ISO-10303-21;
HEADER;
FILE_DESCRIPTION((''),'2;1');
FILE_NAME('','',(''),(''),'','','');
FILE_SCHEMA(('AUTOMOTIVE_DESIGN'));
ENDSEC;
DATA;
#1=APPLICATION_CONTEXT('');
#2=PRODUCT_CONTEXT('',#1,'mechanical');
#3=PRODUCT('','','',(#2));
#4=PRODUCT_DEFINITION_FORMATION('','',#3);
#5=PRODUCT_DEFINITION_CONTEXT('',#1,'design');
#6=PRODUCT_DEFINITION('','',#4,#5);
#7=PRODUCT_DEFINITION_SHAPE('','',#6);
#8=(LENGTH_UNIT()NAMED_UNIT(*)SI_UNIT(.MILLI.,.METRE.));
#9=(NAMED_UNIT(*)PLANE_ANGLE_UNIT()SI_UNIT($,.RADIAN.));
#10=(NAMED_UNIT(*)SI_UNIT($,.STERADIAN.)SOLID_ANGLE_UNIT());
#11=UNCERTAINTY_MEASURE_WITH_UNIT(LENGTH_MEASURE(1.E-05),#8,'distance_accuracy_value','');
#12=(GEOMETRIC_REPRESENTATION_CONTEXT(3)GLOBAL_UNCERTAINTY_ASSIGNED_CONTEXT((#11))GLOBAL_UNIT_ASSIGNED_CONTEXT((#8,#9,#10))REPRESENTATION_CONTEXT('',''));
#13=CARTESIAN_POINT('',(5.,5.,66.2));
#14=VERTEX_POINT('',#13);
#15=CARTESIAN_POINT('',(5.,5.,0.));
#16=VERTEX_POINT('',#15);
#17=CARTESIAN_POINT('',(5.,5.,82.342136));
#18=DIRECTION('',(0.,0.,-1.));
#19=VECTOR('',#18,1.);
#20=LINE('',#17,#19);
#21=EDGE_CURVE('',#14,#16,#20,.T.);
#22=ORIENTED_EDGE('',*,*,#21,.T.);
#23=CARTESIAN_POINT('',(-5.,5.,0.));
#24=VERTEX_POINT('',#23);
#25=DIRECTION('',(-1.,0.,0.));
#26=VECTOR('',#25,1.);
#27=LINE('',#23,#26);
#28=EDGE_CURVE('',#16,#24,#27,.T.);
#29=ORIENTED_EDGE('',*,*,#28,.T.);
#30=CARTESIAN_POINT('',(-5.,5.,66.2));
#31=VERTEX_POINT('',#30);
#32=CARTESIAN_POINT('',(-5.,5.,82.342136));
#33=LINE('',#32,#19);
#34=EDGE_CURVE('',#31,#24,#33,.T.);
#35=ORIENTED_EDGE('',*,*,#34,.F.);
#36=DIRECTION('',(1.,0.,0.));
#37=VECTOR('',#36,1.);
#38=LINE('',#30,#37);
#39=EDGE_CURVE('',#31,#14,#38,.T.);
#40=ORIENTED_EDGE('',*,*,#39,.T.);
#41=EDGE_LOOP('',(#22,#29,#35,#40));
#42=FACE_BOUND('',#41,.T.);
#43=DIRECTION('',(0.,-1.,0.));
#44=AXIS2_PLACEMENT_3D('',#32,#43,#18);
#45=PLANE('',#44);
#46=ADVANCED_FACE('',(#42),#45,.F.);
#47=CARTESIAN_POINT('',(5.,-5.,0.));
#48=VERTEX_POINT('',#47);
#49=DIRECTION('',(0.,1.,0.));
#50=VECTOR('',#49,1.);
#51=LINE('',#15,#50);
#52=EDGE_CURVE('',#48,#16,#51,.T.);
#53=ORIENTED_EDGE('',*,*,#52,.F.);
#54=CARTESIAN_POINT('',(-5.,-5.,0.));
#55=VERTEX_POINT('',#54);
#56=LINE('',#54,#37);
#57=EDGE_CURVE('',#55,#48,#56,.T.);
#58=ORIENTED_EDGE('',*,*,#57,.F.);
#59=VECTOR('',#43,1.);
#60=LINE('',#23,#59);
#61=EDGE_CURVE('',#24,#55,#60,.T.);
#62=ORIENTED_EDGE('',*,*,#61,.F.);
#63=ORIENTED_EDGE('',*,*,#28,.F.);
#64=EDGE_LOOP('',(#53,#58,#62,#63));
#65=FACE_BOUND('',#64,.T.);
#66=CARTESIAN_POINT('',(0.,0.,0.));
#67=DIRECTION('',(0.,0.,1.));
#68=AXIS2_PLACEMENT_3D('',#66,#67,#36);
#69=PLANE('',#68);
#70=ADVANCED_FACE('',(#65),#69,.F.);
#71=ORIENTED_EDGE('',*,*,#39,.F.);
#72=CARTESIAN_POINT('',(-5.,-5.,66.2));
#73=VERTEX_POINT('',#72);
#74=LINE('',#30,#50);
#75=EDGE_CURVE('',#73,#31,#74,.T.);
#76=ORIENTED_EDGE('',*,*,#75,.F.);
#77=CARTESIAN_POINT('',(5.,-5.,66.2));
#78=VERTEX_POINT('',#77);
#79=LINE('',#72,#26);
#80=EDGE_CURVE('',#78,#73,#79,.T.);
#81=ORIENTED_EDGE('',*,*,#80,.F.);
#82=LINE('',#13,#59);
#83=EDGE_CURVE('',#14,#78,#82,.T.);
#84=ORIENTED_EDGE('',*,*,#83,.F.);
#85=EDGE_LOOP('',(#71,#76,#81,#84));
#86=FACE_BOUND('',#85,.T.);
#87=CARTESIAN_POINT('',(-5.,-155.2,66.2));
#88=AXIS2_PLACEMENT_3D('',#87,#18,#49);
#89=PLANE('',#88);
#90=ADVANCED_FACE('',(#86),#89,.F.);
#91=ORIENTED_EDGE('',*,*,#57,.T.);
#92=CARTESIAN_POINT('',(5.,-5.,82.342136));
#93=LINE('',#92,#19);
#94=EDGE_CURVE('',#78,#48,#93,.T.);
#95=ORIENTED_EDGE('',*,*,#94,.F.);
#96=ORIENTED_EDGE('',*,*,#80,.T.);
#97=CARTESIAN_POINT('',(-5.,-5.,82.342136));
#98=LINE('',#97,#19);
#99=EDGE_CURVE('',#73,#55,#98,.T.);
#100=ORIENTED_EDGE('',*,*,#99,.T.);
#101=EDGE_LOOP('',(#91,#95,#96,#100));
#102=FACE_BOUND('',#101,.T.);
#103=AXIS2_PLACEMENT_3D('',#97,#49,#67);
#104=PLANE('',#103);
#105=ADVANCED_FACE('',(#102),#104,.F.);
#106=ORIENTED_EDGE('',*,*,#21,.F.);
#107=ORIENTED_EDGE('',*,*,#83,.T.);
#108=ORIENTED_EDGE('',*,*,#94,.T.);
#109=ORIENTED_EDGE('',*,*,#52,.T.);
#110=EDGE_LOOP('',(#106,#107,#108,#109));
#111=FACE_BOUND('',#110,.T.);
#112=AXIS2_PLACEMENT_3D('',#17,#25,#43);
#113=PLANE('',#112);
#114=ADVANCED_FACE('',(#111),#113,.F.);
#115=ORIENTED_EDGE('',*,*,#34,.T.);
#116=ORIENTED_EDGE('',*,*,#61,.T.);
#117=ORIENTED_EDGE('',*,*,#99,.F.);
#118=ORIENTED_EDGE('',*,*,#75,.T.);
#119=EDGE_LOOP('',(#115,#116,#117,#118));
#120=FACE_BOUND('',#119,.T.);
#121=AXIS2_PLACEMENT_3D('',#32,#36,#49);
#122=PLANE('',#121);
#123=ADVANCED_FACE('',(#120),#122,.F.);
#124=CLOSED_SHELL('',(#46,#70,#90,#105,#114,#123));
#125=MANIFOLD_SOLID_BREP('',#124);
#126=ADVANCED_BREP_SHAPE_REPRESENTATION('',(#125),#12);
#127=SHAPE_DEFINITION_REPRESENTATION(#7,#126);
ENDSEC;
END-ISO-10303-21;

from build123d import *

# Parameters (mm, degrees)
ESQUISSE1_W        = 10
ESQUISSE1_H        = 10
BOSS_EXTRU_1_DEPTH = 66.2


with BuildPart() as part:
    # Esquisse1 → Boss.-Extru.1 (new body)
    with BuildSketch(Plane.XY):
        Rectangle(ESQUISSE1_W, ESQUISSE1_H)
    extrude(amount=BOSS_EXTRU_1_DEPTH)


solid = part.part
